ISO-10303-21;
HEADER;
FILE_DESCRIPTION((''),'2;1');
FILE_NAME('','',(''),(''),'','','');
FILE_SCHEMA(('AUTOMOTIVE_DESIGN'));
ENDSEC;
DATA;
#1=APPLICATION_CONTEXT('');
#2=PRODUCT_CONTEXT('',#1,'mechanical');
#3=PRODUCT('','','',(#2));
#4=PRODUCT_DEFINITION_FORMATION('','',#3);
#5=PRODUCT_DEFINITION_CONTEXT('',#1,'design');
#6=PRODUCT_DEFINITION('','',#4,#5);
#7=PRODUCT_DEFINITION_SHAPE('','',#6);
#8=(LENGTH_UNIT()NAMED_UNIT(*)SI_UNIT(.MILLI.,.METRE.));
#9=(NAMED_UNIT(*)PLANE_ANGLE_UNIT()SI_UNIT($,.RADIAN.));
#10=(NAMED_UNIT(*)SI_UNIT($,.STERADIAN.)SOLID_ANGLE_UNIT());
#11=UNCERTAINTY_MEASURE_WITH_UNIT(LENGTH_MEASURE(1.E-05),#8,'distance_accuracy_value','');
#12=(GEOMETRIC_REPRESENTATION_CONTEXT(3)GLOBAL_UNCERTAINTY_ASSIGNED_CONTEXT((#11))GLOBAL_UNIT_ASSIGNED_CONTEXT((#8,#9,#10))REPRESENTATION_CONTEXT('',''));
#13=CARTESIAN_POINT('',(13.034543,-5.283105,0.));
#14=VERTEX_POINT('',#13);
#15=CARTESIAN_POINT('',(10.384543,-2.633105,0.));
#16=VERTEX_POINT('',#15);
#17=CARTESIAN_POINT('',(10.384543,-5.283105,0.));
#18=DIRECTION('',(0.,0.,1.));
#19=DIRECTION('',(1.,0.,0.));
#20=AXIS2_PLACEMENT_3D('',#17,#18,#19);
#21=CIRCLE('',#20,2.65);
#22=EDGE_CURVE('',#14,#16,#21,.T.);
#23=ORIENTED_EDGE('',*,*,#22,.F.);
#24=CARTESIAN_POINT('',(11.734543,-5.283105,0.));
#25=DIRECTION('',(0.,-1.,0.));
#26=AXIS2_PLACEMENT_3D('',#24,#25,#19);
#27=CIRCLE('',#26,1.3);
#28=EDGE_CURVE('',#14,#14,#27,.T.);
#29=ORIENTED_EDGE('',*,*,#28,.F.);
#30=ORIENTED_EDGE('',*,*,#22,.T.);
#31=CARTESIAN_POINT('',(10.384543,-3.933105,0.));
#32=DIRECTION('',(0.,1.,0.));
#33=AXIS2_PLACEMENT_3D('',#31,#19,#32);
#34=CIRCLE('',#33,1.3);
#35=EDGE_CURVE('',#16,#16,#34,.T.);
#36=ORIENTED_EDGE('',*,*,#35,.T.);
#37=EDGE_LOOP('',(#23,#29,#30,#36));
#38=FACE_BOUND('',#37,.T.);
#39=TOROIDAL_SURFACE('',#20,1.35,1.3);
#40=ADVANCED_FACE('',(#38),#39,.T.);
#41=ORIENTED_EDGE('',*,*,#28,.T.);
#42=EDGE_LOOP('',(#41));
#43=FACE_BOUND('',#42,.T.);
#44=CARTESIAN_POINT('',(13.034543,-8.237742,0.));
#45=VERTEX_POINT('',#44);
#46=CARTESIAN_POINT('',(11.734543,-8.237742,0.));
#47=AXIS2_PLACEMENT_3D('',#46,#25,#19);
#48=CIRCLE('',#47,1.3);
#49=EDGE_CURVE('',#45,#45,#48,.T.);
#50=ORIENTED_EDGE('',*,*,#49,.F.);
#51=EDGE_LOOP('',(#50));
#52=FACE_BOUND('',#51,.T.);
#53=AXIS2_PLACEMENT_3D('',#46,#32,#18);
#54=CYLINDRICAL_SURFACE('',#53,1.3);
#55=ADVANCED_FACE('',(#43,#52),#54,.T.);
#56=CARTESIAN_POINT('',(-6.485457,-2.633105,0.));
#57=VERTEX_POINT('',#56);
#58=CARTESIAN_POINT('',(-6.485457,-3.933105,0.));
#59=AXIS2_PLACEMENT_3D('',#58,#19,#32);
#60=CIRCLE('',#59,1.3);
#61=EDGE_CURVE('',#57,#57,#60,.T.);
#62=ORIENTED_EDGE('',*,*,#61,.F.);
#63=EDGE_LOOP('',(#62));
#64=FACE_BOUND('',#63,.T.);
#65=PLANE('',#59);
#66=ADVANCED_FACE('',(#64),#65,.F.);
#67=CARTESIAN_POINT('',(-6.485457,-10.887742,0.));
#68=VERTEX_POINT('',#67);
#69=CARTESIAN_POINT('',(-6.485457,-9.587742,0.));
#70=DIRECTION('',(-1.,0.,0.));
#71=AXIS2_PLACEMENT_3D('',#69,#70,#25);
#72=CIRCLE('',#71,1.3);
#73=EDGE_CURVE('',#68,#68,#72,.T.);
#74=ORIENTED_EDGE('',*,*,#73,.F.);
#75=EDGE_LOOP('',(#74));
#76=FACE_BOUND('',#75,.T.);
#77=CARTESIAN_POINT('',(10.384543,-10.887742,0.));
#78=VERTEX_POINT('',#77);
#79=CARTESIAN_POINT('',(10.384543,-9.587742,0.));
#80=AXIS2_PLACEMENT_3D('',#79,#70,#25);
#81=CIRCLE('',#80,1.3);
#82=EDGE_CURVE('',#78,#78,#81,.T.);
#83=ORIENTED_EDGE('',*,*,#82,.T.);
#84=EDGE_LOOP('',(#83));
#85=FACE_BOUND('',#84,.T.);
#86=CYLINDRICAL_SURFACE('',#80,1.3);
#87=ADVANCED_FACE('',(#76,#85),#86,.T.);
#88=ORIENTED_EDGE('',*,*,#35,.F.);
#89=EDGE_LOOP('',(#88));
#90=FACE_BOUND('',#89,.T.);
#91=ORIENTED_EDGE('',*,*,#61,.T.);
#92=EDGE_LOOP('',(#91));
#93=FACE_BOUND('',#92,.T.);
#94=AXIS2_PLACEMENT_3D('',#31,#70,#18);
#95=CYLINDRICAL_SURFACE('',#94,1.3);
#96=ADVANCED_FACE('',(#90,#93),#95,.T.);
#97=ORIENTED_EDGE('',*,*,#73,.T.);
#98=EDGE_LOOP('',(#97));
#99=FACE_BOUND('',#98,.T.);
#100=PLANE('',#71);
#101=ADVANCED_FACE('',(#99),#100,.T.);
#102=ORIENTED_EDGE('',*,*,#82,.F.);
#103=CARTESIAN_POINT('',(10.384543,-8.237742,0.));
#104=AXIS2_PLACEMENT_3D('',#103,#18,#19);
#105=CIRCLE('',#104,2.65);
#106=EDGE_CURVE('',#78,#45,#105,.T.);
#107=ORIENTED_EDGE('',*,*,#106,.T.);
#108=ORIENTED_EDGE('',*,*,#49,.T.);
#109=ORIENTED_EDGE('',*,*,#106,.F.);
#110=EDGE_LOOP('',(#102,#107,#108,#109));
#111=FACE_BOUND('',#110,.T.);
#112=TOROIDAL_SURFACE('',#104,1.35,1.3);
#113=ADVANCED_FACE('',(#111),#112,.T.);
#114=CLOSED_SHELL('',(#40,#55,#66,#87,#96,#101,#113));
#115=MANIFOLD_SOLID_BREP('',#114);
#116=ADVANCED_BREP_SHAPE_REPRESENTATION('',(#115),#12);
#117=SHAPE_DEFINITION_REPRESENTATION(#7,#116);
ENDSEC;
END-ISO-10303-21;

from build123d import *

# Parameters (mm, degrees)
IZIM3_R = 1.3


with BuildPart() as part:
    # Süpür1: sweep along a path in Çizim1
    with BuildLine(Plane.XY) as s_p_r1_path:
        Line((-6.485456768, -9.587742445), (10.384543232, -9.587742445))
        ThreePointArc((10.384543232, -9.587742445), (11.339137386, -9.1923366), (11.734543232, -8.237742445))
        Line((11.734543232, -8.237742445), (11.734543232, -5.283104638))
        ThreePointArc((11.734543232, -5.283104638), (11.339137386, -4.328510484), (10.384543232, -3.933104638))
        Line((10.384543232, -3.933104638), (-6.485456768, -3.933104638))
    # Çizim3 → Süpür1 (sweep)
    with BuildSketch(Plane(origin=(-6.485456768, -9.587742445, 0), x_dir=(0, 0, 1), z_dir=(-1, 0, 0))):
        Circle(IZIM3_R)
    sweep(path=s_p_r1_path.line)


solid = part.part
